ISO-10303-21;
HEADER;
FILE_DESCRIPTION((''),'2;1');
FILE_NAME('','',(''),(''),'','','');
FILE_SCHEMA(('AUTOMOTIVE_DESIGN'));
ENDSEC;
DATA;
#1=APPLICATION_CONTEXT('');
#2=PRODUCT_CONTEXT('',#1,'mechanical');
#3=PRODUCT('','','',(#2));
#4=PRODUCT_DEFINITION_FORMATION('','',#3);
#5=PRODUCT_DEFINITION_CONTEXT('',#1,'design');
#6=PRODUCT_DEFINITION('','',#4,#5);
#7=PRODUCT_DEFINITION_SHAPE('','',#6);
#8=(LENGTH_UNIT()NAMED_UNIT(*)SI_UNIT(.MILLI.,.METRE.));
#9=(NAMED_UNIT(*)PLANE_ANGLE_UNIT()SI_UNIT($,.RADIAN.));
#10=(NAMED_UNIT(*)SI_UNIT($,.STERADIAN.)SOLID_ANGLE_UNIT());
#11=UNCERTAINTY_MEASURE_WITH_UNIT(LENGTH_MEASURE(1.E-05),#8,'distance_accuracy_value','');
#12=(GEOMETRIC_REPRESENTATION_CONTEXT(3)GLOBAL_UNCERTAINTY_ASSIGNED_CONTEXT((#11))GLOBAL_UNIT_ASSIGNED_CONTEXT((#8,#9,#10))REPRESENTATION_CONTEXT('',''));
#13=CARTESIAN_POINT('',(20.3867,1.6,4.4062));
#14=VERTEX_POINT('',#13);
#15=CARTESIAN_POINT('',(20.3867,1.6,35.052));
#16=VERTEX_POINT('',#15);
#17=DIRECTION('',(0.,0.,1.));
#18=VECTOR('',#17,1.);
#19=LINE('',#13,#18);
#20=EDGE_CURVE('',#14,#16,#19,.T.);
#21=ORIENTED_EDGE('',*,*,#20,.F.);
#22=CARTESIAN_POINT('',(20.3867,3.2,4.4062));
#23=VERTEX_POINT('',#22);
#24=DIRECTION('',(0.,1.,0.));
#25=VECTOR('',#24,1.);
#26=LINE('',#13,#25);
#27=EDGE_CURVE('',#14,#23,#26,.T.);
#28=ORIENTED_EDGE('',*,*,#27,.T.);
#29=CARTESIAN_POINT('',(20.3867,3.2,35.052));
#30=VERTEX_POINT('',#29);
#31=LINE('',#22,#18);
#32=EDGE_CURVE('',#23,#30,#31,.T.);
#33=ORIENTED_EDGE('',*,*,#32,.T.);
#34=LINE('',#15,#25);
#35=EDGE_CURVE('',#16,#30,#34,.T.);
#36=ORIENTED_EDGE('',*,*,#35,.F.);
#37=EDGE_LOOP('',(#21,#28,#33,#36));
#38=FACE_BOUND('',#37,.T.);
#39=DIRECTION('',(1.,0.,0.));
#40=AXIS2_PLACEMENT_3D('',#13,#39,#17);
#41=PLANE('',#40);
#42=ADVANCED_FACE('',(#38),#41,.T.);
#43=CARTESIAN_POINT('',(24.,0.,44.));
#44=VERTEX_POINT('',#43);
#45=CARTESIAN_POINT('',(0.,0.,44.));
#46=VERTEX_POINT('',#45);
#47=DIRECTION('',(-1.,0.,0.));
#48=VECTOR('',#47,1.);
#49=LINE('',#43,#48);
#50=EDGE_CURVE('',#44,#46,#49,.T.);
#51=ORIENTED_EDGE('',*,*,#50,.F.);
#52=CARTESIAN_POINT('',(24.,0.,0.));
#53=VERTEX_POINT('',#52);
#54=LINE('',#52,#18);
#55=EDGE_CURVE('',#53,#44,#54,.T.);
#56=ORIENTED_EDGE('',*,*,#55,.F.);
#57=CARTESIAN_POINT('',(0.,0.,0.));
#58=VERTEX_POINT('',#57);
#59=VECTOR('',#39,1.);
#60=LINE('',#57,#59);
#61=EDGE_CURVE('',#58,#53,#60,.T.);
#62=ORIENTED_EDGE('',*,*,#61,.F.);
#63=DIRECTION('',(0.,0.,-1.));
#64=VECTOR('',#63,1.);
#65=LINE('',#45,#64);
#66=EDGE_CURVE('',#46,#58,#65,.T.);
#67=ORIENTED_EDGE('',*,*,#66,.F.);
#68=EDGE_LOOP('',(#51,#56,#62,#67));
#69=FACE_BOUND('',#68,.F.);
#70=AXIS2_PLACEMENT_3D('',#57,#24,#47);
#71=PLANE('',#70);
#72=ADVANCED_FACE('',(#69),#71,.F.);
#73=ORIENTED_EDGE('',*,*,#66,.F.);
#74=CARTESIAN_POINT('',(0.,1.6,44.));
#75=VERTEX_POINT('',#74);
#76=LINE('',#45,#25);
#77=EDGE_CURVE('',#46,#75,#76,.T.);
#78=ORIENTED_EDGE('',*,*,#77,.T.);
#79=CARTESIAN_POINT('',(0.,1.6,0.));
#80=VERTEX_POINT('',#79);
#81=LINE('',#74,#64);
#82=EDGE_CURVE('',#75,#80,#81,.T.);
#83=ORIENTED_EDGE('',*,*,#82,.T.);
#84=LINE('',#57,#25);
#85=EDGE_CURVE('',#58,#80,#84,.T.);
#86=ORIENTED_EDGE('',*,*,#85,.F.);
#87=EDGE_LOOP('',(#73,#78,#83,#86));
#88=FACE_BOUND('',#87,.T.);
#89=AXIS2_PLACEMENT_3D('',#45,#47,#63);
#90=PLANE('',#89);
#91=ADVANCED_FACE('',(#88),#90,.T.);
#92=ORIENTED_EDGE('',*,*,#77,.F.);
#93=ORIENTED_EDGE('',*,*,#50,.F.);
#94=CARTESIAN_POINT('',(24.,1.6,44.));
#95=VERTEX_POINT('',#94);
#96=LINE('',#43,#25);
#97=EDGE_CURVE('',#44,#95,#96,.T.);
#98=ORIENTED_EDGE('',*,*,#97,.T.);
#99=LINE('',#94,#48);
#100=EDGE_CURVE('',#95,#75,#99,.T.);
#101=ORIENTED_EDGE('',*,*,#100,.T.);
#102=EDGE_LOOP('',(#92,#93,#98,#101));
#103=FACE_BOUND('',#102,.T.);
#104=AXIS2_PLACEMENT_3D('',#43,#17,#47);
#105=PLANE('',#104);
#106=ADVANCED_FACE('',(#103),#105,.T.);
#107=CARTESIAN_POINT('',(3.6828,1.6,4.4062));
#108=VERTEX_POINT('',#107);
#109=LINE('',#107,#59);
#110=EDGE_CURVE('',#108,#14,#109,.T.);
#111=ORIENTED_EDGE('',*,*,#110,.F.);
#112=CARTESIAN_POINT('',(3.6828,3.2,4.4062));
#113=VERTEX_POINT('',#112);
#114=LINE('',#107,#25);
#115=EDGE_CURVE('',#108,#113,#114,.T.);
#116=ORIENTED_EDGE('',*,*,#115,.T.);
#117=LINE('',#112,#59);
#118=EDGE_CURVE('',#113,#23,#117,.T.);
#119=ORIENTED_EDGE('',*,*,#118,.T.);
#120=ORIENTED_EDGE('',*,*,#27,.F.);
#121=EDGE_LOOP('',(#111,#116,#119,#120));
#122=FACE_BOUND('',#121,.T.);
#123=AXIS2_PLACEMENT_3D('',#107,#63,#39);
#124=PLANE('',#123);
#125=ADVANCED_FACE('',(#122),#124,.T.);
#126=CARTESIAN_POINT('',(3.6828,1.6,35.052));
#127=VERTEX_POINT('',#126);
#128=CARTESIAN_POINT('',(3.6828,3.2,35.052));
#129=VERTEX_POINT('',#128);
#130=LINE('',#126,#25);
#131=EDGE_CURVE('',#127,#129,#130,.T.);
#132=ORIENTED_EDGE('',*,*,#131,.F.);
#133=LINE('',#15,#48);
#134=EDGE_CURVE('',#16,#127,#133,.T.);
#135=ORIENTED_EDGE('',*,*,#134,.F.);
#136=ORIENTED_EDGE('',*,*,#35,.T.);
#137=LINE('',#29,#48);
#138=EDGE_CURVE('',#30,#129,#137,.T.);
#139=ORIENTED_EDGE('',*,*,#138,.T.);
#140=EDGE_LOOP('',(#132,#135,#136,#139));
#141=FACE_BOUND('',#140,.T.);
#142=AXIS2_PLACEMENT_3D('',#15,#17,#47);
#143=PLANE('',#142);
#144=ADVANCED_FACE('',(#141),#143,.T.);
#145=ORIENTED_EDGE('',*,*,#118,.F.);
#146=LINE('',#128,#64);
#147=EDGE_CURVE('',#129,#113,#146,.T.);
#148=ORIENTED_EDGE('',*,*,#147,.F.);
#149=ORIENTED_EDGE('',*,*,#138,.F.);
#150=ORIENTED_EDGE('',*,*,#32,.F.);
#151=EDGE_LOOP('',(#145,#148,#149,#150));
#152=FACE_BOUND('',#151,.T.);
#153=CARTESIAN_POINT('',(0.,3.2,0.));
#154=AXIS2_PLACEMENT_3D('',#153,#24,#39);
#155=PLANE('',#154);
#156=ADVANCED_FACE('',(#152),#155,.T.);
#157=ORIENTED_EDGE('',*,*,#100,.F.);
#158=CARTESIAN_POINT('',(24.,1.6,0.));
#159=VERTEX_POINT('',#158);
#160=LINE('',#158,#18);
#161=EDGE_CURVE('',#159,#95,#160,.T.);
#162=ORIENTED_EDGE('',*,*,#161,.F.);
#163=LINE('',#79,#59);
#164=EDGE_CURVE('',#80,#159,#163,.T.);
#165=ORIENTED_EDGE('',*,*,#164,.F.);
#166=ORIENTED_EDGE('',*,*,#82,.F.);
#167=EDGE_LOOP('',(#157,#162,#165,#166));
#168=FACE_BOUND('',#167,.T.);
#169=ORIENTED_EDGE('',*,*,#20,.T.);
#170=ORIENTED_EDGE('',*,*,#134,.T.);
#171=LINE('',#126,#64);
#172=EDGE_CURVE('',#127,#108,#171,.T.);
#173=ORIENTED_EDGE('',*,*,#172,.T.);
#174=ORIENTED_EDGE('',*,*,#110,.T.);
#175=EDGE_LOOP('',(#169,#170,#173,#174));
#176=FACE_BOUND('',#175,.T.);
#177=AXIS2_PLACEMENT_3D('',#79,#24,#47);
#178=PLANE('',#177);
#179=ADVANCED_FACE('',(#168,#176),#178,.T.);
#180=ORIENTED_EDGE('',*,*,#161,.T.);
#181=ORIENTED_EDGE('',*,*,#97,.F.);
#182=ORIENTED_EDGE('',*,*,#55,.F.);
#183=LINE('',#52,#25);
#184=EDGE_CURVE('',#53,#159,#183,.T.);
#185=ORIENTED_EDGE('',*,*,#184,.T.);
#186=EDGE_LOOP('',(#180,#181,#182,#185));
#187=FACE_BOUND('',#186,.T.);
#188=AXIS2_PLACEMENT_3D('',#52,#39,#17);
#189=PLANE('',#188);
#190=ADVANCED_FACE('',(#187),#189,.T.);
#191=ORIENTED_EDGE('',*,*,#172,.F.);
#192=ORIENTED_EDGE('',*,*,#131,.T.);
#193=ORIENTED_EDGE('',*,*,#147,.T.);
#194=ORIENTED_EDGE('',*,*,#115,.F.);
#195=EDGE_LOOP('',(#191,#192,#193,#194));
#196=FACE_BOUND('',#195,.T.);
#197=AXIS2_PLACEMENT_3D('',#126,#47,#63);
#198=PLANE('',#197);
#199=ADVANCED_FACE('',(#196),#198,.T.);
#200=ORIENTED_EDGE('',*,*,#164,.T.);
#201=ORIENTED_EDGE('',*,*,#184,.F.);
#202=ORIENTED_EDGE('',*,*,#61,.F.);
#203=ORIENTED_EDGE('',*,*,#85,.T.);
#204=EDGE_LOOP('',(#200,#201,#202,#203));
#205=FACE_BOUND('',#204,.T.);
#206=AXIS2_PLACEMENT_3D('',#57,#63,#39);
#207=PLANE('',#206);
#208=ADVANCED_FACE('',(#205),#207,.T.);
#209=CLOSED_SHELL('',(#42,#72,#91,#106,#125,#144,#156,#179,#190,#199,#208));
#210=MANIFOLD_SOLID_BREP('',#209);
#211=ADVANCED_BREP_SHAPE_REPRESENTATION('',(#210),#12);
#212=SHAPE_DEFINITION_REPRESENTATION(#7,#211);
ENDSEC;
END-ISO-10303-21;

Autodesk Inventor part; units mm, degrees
ref_plane "YZ Plane" through (0, 0, 0) normal (1, 0, 0) x (0, 1, 0)
ref_plane "XZ Plane" through (0, 0, 0) normal (0, 1, 0) x (-1, 0, 0)
ref_plane "XY Plane" through (0, 0, 0) normal (0, 0, 1) x (1, 0, 0)
sketch "Sketch1" plane through (0, 0, 0) normal (0, 1, 0) x (-1, 0, 0)
  line L0 (0, 0) -> (-24, 0)
  line L1 (-24, 0) -> (-24, 44)
  line L2 (-24, 44) -> (0, 44)
  line L3 (0, 44) -> (0, 0)
  dimension "d0" = 24
  dimension "d1" = 44
extrude "Extrusion1" add sketch "Sketch1" along normal blind 1.6
sketch "Sketch3" plane through (0, 1.6, 0) normal (0, 1, 0) x (1, 0, 0)
  line L0 (3.6828, -4.4062) -> (20.3867, -4.4062)
  line L1 (20.3867, -4.4062) -> (20.3867, -35.052)
  line L2 (20.3867, -35.052) -> (3.6828, -35.052)
  line L3 (3.6828, -35.052) -> (3.6828, -4.4062)
  line L4 (4.8665, -37.9456) -> (18.6769, -37.9456)
  line L5 (18.6769, -37.9456) -> (18.6769, -41.7599)
  line L6 (18.6769, -41.7599) -> (4.8665, -41.7599)
  line L7 (4.8665, -41.7599) -> (4.8665, -37.9456)
  point P0 (0, 0)
extrude "Extrusion3" add sketch "Sketch3" along normal blind 1.6 contours L0 L1 L2 L3
sketch "Sketch4" plane through (0, 1.6, 0) normal (0, 1, 0) x (1, 0, 0)
  point P0 (0, 0)
properties part number "Gyro"
